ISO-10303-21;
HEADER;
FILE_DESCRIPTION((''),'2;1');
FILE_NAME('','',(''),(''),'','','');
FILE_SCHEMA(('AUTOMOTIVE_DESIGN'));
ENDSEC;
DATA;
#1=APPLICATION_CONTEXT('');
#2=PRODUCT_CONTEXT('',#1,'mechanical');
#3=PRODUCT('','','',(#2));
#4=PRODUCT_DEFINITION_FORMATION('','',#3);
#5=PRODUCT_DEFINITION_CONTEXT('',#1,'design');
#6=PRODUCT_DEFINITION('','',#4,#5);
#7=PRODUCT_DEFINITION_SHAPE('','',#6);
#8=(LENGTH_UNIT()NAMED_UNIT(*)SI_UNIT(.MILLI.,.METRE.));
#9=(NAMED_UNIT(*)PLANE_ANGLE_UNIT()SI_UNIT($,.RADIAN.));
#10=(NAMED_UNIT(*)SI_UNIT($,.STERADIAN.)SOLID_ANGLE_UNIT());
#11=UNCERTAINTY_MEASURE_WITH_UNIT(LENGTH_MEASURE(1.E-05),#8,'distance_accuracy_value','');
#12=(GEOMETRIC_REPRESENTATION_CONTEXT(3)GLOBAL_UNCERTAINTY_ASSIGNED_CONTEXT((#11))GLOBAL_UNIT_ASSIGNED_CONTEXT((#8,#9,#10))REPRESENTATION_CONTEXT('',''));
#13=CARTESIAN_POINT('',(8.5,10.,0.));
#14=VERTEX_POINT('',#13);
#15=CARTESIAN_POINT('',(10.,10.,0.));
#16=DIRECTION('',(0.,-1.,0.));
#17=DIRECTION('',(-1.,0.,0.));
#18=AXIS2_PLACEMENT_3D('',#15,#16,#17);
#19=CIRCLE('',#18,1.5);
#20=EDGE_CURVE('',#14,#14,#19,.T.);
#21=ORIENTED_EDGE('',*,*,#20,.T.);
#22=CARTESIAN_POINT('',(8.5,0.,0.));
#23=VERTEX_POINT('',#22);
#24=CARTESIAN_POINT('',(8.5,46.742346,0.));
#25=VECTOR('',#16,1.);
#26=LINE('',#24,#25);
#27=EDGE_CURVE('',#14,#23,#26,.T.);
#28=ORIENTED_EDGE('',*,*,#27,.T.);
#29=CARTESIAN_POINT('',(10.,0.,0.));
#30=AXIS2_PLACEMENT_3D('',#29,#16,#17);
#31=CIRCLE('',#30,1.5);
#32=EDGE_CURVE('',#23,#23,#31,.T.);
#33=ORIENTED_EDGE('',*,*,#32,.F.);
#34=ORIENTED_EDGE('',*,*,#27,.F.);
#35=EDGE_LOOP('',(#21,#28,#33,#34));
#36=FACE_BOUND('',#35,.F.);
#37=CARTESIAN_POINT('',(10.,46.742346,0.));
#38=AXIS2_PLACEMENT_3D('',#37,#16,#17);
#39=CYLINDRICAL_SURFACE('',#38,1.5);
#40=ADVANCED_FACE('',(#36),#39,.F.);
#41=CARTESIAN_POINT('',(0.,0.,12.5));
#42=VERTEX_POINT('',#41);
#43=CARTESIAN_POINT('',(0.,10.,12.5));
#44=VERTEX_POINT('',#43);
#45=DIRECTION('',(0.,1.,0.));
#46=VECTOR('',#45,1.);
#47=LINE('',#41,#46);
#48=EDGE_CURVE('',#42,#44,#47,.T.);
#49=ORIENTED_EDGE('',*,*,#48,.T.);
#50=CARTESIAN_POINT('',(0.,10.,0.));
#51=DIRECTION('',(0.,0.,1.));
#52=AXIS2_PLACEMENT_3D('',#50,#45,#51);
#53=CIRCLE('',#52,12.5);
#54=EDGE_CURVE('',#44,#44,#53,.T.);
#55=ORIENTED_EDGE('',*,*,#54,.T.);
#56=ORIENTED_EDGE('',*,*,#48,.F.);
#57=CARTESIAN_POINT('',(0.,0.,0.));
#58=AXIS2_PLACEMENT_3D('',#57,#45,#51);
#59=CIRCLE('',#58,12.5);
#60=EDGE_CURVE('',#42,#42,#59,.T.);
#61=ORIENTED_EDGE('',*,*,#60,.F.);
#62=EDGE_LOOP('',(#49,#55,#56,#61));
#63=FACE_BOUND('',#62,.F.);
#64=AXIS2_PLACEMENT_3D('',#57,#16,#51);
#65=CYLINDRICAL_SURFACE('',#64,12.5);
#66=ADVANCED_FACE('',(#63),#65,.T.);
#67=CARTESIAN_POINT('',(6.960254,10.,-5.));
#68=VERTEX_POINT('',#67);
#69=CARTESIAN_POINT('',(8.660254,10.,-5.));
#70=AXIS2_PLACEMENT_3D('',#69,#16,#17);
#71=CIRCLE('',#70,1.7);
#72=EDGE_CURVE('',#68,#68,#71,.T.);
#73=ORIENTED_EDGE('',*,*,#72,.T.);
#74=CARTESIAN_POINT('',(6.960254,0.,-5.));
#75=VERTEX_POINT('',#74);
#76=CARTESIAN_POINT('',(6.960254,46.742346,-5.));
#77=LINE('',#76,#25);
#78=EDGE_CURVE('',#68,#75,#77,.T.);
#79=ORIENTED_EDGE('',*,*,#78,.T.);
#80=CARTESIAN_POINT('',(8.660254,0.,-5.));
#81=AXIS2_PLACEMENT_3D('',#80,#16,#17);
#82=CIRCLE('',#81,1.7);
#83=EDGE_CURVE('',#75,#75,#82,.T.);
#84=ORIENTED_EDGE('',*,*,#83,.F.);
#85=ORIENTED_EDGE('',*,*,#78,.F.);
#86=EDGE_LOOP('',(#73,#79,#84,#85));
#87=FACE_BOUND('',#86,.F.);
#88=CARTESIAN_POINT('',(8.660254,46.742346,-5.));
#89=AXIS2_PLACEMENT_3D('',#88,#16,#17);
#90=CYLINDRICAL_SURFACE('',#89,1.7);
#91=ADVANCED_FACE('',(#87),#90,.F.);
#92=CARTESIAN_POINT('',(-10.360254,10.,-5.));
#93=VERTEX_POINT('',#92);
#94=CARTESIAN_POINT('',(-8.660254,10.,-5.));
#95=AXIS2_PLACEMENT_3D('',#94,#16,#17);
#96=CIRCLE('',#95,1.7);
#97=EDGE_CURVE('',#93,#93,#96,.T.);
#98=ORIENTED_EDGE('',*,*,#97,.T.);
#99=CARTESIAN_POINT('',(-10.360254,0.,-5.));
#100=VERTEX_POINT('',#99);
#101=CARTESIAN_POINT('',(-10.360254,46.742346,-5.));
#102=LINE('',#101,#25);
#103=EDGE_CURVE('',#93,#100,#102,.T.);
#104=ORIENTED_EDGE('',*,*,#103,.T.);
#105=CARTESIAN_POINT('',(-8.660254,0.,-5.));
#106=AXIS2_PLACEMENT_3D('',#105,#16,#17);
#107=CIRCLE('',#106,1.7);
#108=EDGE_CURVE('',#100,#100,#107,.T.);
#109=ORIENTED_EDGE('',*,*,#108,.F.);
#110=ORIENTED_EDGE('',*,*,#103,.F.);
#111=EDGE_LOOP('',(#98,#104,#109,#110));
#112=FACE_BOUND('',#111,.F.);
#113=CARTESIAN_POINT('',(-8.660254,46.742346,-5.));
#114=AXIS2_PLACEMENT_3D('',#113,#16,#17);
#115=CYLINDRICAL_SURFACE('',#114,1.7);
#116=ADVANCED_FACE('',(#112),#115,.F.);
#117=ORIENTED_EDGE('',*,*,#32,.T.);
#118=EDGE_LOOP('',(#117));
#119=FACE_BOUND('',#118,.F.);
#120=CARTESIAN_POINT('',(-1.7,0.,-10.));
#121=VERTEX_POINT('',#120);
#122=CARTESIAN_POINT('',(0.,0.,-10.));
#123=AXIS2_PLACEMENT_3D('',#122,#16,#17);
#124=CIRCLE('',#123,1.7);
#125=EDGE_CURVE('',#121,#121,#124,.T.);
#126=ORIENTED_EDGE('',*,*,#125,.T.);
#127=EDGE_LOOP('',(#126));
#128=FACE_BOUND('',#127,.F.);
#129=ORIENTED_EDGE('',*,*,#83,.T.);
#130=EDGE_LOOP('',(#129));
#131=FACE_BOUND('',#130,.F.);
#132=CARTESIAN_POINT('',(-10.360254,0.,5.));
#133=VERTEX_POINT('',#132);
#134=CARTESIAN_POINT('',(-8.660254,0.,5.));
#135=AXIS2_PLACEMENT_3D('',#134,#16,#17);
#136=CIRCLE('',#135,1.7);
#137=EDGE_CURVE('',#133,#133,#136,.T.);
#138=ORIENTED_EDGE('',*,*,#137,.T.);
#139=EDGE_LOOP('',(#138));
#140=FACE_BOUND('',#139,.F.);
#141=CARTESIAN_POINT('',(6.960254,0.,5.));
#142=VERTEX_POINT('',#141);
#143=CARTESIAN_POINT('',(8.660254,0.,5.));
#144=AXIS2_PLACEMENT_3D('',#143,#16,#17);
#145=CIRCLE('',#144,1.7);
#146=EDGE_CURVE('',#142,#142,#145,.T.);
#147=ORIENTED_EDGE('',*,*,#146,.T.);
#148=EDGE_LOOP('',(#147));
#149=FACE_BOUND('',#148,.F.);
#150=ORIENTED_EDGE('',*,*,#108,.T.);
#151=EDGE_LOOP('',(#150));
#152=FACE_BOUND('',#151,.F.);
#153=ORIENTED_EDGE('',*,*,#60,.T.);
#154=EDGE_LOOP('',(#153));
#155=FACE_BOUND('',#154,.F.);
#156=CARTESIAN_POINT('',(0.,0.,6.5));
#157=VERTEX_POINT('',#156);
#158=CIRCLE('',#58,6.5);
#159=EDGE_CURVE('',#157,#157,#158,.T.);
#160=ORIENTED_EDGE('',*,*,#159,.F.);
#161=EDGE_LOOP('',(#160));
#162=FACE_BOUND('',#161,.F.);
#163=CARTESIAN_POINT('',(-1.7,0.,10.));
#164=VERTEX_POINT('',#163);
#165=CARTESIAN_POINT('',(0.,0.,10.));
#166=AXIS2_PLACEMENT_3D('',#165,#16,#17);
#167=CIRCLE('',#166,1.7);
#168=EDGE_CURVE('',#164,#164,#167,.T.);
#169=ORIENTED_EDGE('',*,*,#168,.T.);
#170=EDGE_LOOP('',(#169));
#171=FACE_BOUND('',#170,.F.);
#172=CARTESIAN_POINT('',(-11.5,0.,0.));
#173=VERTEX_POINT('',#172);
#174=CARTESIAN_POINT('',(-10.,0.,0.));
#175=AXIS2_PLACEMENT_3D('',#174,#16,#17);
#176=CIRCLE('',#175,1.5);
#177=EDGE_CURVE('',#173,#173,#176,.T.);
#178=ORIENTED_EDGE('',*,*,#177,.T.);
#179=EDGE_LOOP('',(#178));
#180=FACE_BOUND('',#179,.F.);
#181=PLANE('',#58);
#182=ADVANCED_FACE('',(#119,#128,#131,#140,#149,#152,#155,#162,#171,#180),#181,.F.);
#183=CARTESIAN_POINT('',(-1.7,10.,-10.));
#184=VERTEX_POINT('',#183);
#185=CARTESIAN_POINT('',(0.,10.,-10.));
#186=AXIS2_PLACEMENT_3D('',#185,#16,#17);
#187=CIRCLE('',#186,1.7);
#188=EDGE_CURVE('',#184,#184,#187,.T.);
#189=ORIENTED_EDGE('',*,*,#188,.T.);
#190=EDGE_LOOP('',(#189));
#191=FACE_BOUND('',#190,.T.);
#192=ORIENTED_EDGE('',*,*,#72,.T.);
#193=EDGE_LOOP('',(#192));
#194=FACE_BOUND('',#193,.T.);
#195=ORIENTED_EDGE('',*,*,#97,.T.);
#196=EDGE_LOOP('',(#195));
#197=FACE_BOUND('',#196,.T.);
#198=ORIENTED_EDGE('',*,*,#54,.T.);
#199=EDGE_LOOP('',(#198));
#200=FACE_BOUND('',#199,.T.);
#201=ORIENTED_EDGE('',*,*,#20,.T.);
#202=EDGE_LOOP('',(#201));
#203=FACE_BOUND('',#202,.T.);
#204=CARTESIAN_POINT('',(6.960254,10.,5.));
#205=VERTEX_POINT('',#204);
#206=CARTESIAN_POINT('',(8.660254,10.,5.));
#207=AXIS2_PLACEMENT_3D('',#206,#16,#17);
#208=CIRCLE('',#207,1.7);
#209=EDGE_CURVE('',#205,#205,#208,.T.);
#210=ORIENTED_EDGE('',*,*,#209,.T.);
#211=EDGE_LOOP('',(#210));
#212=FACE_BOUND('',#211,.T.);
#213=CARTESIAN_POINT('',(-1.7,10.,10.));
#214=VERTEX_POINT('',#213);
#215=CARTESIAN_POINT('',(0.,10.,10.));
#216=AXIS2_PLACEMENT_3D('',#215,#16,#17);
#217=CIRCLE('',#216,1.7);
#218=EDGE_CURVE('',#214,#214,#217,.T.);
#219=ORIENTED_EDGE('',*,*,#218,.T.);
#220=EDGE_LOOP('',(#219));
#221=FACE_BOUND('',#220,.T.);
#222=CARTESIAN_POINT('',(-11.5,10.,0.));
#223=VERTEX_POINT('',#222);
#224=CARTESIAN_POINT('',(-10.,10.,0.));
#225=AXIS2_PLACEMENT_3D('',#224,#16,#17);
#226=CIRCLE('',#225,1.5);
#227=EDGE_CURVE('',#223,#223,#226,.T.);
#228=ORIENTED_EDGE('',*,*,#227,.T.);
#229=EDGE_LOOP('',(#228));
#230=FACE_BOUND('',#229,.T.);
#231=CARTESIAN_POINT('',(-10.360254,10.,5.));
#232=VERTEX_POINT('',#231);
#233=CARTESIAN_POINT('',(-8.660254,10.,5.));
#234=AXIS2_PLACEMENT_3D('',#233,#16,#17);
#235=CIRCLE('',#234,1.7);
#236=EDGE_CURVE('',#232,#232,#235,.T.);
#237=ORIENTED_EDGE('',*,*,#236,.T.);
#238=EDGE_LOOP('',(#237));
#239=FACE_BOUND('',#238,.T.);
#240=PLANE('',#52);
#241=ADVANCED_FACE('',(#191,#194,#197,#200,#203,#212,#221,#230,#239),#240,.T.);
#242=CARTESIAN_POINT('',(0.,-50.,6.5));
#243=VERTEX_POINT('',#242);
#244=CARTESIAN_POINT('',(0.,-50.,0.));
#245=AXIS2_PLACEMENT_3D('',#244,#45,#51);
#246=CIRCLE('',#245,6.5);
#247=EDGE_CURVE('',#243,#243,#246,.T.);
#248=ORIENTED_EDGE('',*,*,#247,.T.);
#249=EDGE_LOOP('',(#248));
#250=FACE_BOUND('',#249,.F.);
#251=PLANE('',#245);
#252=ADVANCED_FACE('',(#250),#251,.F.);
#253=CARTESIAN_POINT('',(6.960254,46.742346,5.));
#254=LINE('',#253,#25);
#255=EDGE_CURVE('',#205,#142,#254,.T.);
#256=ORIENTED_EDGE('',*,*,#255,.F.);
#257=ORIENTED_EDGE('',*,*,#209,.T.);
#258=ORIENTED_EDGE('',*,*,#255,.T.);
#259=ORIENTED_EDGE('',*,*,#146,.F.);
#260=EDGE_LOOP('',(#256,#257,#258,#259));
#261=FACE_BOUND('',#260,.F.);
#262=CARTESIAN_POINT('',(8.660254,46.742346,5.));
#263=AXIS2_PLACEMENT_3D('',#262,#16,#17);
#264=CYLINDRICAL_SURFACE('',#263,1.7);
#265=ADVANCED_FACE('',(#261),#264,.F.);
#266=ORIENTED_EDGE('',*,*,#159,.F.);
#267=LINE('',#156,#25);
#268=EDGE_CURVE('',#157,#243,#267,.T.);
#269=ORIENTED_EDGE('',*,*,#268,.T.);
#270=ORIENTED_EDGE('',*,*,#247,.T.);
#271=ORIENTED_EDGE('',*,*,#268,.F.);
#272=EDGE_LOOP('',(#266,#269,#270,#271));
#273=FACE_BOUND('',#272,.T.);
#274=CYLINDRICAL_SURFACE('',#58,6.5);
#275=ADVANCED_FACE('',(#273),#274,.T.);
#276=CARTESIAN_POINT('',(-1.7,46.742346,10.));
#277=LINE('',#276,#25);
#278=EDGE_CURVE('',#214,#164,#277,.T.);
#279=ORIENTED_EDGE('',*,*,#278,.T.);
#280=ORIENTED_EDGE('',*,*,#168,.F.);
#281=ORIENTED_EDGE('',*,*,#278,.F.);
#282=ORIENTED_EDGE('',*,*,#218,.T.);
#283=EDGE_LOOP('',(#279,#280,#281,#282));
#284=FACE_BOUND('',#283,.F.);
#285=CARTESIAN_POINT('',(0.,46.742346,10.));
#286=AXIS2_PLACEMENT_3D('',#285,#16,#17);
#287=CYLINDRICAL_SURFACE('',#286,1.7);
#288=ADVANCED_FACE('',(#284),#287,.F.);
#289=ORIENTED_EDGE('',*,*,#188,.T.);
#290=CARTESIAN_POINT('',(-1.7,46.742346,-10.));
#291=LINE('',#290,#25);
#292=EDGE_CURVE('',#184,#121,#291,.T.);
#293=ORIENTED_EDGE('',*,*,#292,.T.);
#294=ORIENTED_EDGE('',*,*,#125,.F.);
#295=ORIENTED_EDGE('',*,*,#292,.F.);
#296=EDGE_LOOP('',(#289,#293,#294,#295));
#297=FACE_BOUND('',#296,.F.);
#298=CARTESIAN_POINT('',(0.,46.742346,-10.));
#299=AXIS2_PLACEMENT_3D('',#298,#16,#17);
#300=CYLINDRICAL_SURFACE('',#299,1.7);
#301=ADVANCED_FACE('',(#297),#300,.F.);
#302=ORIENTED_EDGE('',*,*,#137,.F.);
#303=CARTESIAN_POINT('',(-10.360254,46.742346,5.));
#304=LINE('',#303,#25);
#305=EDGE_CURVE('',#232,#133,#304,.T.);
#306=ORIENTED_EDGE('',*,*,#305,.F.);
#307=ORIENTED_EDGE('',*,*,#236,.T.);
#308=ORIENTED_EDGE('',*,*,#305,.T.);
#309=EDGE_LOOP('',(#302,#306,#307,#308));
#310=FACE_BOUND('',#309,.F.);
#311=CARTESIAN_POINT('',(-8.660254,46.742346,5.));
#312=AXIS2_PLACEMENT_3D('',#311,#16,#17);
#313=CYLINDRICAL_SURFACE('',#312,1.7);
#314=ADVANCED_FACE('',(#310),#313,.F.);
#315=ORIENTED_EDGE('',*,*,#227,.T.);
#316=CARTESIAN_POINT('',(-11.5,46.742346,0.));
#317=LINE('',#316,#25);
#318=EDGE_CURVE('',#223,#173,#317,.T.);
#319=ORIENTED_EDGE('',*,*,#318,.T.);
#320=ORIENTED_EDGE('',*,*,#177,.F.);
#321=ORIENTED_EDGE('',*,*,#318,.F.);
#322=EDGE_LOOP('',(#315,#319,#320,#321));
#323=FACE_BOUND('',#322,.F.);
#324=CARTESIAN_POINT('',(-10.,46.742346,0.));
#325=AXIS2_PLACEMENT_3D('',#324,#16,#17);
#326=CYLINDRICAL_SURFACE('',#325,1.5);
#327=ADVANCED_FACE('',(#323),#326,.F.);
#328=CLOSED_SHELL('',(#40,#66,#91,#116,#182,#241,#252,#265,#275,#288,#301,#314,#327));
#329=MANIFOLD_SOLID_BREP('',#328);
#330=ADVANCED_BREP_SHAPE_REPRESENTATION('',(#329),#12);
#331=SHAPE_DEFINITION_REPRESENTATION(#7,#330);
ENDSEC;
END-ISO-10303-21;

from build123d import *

# Parameters (mm, degrees)
SKETCH1_R             = 12.5
BOSS_EXTRUDE1_DEPTH   = 10
M3_CLEARANCE_HOLE1_D  = 3.4
F_3_0MM_DOWEL_HOLE1_D = 3
SKETCH7_R             = 6.5
BOSS_EXTRUDE2_DEPTH   = 50


with BuildPart() as part:
    # Sketch1 → Boss-Extrude1 (new body)
    with BuildSketch(Plane(origin=(0, 0, 0), x_dir=(1, 0, 0), z_dir=(0, 1, 0))):
        with Locations(Location((0, 0, 0), (0, 0, 270))):
            Circle(SKETCH1_R)
    extrude(amount=BOSS_EXTRUDE1_DEPTH)

    # M3 Clearance Hole1 (through all)
    with Locations(Plane(origin=(0, 10, 0), x_dir=(1, 0, 0), z_dir=(0, 1, 0))):
        with Locations((-8.660254038, 5), (0, 10), (8.660254038, 5), (8.660254038, -5), (0, -10), (-8.660254038, -5)):
            Hole(M3_CLEARANCE_HOLE1_D / 2)

    # Ø3.0mm Dowel Hole1 (through all)
    with Locations(Plane(origin=(0, 10, 0), x_dir=(1, 0, 0), z_dir=(0, 1, 0))):
        with Locations((-10, 0), (10, 0)):
            Hole(F_3_0MM_DOWEL_HOLE1_D / 2)

    # Sketch7 → Boss-Extrude2 (add)
    with BuildSketch(Plane(origin=(0, 0, 0), x_dir=(1, 0, 0), z_dir=(0, 1, 0))):
        with Locations(Location((0, 0, 0), (0, 0, 270))):
            Circle(SKETCH7_R)
    extrude(amount=-BOSS_EXTRUDE2_DEPTH)


solid = part.part
